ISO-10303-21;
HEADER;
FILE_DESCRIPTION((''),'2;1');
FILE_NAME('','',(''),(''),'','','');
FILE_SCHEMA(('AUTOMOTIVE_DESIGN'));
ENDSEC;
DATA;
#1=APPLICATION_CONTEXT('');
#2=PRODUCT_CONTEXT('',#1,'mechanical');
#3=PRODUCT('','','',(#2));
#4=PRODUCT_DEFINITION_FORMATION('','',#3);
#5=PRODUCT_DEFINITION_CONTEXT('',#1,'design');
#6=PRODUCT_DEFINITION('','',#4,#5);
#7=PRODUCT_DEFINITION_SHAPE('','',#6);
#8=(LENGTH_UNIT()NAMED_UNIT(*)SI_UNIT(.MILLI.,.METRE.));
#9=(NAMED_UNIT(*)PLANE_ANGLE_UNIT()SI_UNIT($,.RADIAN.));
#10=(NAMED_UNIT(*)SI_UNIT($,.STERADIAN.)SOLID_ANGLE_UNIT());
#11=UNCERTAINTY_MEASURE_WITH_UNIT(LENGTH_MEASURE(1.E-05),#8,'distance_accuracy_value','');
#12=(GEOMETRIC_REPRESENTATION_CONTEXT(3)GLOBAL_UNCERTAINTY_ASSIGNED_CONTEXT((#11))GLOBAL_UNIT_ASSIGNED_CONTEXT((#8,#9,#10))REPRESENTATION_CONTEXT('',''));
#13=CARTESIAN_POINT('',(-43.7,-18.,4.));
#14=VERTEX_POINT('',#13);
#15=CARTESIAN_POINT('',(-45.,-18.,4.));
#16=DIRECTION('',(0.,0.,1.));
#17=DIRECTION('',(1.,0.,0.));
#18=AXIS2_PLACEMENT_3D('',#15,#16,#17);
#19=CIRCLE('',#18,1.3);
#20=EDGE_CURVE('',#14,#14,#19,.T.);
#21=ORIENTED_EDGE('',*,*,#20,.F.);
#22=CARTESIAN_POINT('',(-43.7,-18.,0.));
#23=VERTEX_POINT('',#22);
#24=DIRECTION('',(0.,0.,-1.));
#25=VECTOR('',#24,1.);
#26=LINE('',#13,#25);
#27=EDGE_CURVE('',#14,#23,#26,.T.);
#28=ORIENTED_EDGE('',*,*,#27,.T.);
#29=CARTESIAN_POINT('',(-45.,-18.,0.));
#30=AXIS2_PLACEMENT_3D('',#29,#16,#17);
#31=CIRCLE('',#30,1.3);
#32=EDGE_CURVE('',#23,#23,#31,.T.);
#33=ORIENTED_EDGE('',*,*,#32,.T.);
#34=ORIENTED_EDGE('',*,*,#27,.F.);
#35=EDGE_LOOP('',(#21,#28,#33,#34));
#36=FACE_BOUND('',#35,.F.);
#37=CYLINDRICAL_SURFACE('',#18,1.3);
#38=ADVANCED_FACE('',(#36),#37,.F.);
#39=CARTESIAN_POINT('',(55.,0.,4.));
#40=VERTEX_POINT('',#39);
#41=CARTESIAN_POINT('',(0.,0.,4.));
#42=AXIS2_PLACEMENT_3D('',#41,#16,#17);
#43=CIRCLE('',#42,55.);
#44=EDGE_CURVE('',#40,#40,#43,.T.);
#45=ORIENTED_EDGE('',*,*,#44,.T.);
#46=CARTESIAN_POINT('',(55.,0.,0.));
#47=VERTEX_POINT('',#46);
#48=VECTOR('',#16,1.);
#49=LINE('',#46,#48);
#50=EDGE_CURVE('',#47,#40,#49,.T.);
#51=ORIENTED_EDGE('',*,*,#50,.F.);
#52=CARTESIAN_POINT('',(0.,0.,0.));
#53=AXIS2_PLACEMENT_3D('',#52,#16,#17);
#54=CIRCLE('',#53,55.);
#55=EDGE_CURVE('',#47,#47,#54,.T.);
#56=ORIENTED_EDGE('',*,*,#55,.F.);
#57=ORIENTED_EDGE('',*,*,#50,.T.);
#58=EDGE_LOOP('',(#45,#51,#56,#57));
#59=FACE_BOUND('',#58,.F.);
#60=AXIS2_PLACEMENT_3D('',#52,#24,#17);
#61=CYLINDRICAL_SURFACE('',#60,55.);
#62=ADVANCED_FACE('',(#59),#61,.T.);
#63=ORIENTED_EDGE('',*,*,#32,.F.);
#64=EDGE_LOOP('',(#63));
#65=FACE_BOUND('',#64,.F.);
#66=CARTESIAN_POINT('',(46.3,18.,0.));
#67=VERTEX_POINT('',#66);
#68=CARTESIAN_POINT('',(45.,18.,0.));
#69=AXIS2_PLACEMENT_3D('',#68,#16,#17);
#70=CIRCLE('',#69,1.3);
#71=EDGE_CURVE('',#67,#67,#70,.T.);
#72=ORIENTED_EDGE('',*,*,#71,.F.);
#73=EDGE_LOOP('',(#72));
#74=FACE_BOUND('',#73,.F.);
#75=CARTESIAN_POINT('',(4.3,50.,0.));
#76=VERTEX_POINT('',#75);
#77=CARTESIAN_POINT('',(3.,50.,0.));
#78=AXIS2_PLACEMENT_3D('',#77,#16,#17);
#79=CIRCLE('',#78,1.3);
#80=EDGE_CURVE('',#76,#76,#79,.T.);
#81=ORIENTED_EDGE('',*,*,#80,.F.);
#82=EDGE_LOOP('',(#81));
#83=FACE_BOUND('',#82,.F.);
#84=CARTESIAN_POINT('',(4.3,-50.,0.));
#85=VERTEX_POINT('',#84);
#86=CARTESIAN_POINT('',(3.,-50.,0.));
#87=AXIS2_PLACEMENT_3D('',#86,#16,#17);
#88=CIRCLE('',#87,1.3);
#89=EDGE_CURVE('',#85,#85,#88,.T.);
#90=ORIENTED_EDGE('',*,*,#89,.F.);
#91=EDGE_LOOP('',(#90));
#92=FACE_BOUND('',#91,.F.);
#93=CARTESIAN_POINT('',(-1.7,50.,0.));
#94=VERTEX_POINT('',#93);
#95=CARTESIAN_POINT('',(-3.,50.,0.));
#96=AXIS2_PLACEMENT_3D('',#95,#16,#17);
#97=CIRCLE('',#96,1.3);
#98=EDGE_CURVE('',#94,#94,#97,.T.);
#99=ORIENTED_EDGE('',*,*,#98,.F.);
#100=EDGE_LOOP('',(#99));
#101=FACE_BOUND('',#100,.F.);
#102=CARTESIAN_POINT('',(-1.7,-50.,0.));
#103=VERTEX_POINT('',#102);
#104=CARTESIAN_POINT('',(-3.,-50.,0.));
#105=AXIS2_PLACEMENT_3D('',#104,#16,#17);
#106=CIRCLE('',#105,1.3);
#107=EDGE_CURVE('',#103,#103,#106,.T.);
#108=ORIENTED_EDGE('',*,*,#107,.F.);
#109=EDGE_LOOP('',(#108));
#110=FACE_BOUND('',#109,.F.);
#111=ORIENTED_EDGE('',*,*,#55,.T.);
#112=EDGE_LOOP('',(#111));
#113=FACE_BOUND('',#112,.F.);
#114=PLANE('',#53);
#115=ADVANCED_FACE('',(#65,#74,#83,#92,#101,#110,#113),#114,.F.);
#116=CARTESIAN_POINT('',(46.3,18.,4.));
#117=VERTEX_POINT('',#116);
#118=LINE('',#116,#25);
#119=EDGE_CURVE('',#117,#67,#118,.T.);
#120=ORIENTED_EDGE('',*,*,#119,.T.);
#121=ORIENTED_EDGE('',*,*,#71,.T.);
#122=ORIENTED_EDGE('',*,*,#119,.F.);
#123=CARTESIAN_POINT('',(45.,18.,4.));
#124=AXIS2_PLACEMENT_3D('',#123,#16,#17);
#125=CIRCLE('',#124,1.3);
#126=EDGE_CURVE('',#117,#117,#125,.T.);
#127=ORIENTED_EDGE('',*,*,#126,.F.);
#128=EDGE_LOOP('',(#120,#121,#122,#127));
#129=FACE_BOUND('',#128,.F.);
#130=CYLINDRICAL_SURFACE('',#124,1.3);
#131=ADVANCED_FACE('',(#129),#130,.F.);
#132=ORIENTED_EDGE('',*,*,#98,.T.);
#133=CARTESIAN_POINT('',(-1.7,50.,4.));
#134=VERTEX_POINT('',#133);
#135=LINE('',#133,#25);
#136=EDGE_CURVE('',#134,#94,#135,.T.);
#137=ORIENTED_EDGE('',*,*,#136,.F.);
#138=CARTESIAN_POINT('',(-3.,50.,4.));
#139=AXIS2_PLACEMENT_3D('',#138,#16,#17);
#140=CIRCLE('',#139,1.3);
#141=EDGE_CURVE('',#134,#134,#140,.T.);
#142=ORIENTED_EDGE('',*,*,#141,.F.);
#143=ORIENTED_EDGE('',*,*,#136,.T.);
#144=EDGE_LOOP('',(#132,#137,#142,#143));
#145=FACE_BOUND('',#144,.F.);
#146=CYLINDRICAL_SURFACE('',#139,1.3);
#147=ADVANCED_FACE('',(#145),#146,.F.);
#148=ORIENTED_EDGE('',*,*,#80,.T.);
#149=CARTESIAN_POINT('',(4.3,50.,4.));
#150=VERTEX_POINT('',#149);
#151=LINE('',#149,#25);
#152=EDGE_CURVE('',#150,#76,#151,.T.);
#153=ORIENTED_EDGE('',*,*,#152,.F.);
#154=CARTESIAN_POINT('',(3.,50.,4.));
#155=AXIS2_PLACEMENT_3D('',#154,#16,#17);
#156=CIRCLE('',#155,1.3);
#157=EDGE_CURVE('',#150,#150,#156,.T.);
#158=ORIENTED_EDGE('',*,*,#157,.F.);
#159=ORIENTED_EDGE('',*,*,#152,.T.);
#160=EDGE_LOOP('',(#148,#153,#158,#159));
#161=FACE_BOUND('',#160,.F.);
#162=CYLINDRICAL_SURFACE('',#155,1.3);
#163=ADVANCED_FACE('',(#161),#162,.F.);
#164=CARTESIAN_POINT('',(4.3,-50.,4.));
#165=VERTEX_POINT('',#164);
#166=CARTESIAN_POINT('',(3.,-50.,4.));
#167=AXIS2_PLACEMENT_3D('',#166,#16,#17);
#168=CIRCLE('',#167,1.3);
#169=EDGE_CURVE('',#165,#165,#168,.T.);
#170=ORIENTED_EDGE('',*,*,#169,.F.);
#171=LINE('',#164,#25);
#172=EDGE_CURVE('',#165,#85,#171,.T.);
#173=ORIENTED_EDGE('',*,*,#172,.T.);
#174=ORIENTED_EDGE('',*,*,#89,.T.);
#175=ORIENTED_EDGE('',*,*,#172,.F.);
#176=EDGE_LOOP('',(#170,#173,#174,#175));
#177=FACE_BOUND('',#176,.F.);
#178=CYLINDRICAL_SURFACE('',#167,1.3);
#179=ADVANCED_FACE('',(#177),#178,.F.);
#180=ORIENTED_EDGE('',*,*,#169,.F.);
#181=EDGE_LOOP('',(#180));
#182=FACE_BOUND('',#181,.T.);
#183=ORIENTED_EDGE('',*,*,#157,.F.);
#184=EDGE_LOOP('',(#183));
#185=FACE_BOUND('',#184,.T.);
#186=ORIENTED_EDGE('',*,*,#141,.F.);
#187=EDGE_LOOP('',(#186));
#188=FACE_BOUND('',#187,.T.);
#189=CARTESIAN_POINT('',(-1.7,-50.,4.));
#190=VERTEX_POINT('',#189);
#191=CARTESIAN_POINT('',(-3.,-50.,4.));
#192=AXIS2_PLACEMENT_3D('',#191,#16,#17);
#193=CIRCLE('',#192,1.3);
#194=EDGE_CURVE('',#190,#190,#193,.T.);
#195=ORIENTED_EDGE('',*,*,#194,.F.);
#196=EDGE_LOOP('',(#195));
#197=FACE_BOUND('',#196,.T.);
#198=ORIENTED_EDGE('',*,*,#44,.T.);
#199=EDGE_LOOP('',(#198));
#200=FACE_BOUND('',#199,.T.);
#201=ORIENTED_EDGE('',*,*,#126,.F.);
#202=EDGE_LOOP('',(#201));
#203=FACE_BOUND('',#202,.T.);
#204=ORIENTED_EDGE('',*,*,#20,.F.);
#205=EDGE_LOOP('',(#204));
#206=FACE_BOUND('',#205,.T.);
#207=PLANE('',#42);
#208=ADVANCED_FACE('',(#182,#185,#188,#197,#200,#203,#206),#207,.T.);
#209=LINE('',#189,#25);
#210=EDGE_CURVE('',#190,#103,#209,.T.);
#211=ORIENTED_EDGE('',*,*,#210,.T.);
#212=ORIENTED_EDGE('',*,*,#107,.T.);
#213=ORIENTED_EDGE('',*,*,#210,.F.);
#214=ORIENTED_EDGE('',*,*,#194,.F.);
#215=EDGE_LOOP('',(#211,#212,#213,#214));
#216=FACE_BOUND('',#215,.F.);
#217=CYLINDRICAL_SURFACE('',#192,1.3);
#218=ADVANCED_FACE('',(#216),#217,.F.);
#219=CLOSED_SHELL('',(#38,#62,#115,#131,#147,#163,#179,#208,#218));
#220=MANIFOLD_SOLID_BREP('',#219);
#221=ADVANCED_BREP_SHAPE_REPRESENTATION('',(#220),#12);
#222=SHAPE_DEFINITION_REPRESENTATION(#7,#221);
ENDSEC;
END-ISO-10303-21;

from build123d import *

# Parameters (mm, degrees)
SKETCH_R        = 55
PAD_DEPTH       = 4
SKETCH003_R     = 1.3
POCKET001_DEPTH = 5
SKETCH004_R     = 1.3
POCKET_DEPTH    = 5


with BuildPart() as part:
    # Sketch → Pad (new body)
    with BuildSketch(Plane.XY):
        Circle(SKETCH_R)
    extrude(amount=PAD_DEPTH)

    # Sketch003 → Pocket001 (cut)
    with BuildSketch(Plane.XY.offset(4)):
        with Locations((-45, -18)):
            Circle(SKETCH003_R)
        with Locations((45, 18)):
            Circle(SKETCH003_R)
    extrude(amount=-POCKET001_DEPTH, mode=Mode.SUBTRACT)

    # Sketch004 (on Face3 of Pocket001) → Pocket (cut)
    with BuildSketch(Plane.XY.offset(4)):
        with Locations((3, -50)):
            Circle(SKETCH004_R)
        with Locations((-3, -50)):
            Circle(SKETCH004_R)
        with Locations((-3, 50)):
            Circle(SKETCH004_R)
        with Locations((3, 50)):
            Circle(SKETCH004_R)
    extrude(amount=-POCKET_DEPTH, mode=Mode.SUBTRACT)


solid = part.part
